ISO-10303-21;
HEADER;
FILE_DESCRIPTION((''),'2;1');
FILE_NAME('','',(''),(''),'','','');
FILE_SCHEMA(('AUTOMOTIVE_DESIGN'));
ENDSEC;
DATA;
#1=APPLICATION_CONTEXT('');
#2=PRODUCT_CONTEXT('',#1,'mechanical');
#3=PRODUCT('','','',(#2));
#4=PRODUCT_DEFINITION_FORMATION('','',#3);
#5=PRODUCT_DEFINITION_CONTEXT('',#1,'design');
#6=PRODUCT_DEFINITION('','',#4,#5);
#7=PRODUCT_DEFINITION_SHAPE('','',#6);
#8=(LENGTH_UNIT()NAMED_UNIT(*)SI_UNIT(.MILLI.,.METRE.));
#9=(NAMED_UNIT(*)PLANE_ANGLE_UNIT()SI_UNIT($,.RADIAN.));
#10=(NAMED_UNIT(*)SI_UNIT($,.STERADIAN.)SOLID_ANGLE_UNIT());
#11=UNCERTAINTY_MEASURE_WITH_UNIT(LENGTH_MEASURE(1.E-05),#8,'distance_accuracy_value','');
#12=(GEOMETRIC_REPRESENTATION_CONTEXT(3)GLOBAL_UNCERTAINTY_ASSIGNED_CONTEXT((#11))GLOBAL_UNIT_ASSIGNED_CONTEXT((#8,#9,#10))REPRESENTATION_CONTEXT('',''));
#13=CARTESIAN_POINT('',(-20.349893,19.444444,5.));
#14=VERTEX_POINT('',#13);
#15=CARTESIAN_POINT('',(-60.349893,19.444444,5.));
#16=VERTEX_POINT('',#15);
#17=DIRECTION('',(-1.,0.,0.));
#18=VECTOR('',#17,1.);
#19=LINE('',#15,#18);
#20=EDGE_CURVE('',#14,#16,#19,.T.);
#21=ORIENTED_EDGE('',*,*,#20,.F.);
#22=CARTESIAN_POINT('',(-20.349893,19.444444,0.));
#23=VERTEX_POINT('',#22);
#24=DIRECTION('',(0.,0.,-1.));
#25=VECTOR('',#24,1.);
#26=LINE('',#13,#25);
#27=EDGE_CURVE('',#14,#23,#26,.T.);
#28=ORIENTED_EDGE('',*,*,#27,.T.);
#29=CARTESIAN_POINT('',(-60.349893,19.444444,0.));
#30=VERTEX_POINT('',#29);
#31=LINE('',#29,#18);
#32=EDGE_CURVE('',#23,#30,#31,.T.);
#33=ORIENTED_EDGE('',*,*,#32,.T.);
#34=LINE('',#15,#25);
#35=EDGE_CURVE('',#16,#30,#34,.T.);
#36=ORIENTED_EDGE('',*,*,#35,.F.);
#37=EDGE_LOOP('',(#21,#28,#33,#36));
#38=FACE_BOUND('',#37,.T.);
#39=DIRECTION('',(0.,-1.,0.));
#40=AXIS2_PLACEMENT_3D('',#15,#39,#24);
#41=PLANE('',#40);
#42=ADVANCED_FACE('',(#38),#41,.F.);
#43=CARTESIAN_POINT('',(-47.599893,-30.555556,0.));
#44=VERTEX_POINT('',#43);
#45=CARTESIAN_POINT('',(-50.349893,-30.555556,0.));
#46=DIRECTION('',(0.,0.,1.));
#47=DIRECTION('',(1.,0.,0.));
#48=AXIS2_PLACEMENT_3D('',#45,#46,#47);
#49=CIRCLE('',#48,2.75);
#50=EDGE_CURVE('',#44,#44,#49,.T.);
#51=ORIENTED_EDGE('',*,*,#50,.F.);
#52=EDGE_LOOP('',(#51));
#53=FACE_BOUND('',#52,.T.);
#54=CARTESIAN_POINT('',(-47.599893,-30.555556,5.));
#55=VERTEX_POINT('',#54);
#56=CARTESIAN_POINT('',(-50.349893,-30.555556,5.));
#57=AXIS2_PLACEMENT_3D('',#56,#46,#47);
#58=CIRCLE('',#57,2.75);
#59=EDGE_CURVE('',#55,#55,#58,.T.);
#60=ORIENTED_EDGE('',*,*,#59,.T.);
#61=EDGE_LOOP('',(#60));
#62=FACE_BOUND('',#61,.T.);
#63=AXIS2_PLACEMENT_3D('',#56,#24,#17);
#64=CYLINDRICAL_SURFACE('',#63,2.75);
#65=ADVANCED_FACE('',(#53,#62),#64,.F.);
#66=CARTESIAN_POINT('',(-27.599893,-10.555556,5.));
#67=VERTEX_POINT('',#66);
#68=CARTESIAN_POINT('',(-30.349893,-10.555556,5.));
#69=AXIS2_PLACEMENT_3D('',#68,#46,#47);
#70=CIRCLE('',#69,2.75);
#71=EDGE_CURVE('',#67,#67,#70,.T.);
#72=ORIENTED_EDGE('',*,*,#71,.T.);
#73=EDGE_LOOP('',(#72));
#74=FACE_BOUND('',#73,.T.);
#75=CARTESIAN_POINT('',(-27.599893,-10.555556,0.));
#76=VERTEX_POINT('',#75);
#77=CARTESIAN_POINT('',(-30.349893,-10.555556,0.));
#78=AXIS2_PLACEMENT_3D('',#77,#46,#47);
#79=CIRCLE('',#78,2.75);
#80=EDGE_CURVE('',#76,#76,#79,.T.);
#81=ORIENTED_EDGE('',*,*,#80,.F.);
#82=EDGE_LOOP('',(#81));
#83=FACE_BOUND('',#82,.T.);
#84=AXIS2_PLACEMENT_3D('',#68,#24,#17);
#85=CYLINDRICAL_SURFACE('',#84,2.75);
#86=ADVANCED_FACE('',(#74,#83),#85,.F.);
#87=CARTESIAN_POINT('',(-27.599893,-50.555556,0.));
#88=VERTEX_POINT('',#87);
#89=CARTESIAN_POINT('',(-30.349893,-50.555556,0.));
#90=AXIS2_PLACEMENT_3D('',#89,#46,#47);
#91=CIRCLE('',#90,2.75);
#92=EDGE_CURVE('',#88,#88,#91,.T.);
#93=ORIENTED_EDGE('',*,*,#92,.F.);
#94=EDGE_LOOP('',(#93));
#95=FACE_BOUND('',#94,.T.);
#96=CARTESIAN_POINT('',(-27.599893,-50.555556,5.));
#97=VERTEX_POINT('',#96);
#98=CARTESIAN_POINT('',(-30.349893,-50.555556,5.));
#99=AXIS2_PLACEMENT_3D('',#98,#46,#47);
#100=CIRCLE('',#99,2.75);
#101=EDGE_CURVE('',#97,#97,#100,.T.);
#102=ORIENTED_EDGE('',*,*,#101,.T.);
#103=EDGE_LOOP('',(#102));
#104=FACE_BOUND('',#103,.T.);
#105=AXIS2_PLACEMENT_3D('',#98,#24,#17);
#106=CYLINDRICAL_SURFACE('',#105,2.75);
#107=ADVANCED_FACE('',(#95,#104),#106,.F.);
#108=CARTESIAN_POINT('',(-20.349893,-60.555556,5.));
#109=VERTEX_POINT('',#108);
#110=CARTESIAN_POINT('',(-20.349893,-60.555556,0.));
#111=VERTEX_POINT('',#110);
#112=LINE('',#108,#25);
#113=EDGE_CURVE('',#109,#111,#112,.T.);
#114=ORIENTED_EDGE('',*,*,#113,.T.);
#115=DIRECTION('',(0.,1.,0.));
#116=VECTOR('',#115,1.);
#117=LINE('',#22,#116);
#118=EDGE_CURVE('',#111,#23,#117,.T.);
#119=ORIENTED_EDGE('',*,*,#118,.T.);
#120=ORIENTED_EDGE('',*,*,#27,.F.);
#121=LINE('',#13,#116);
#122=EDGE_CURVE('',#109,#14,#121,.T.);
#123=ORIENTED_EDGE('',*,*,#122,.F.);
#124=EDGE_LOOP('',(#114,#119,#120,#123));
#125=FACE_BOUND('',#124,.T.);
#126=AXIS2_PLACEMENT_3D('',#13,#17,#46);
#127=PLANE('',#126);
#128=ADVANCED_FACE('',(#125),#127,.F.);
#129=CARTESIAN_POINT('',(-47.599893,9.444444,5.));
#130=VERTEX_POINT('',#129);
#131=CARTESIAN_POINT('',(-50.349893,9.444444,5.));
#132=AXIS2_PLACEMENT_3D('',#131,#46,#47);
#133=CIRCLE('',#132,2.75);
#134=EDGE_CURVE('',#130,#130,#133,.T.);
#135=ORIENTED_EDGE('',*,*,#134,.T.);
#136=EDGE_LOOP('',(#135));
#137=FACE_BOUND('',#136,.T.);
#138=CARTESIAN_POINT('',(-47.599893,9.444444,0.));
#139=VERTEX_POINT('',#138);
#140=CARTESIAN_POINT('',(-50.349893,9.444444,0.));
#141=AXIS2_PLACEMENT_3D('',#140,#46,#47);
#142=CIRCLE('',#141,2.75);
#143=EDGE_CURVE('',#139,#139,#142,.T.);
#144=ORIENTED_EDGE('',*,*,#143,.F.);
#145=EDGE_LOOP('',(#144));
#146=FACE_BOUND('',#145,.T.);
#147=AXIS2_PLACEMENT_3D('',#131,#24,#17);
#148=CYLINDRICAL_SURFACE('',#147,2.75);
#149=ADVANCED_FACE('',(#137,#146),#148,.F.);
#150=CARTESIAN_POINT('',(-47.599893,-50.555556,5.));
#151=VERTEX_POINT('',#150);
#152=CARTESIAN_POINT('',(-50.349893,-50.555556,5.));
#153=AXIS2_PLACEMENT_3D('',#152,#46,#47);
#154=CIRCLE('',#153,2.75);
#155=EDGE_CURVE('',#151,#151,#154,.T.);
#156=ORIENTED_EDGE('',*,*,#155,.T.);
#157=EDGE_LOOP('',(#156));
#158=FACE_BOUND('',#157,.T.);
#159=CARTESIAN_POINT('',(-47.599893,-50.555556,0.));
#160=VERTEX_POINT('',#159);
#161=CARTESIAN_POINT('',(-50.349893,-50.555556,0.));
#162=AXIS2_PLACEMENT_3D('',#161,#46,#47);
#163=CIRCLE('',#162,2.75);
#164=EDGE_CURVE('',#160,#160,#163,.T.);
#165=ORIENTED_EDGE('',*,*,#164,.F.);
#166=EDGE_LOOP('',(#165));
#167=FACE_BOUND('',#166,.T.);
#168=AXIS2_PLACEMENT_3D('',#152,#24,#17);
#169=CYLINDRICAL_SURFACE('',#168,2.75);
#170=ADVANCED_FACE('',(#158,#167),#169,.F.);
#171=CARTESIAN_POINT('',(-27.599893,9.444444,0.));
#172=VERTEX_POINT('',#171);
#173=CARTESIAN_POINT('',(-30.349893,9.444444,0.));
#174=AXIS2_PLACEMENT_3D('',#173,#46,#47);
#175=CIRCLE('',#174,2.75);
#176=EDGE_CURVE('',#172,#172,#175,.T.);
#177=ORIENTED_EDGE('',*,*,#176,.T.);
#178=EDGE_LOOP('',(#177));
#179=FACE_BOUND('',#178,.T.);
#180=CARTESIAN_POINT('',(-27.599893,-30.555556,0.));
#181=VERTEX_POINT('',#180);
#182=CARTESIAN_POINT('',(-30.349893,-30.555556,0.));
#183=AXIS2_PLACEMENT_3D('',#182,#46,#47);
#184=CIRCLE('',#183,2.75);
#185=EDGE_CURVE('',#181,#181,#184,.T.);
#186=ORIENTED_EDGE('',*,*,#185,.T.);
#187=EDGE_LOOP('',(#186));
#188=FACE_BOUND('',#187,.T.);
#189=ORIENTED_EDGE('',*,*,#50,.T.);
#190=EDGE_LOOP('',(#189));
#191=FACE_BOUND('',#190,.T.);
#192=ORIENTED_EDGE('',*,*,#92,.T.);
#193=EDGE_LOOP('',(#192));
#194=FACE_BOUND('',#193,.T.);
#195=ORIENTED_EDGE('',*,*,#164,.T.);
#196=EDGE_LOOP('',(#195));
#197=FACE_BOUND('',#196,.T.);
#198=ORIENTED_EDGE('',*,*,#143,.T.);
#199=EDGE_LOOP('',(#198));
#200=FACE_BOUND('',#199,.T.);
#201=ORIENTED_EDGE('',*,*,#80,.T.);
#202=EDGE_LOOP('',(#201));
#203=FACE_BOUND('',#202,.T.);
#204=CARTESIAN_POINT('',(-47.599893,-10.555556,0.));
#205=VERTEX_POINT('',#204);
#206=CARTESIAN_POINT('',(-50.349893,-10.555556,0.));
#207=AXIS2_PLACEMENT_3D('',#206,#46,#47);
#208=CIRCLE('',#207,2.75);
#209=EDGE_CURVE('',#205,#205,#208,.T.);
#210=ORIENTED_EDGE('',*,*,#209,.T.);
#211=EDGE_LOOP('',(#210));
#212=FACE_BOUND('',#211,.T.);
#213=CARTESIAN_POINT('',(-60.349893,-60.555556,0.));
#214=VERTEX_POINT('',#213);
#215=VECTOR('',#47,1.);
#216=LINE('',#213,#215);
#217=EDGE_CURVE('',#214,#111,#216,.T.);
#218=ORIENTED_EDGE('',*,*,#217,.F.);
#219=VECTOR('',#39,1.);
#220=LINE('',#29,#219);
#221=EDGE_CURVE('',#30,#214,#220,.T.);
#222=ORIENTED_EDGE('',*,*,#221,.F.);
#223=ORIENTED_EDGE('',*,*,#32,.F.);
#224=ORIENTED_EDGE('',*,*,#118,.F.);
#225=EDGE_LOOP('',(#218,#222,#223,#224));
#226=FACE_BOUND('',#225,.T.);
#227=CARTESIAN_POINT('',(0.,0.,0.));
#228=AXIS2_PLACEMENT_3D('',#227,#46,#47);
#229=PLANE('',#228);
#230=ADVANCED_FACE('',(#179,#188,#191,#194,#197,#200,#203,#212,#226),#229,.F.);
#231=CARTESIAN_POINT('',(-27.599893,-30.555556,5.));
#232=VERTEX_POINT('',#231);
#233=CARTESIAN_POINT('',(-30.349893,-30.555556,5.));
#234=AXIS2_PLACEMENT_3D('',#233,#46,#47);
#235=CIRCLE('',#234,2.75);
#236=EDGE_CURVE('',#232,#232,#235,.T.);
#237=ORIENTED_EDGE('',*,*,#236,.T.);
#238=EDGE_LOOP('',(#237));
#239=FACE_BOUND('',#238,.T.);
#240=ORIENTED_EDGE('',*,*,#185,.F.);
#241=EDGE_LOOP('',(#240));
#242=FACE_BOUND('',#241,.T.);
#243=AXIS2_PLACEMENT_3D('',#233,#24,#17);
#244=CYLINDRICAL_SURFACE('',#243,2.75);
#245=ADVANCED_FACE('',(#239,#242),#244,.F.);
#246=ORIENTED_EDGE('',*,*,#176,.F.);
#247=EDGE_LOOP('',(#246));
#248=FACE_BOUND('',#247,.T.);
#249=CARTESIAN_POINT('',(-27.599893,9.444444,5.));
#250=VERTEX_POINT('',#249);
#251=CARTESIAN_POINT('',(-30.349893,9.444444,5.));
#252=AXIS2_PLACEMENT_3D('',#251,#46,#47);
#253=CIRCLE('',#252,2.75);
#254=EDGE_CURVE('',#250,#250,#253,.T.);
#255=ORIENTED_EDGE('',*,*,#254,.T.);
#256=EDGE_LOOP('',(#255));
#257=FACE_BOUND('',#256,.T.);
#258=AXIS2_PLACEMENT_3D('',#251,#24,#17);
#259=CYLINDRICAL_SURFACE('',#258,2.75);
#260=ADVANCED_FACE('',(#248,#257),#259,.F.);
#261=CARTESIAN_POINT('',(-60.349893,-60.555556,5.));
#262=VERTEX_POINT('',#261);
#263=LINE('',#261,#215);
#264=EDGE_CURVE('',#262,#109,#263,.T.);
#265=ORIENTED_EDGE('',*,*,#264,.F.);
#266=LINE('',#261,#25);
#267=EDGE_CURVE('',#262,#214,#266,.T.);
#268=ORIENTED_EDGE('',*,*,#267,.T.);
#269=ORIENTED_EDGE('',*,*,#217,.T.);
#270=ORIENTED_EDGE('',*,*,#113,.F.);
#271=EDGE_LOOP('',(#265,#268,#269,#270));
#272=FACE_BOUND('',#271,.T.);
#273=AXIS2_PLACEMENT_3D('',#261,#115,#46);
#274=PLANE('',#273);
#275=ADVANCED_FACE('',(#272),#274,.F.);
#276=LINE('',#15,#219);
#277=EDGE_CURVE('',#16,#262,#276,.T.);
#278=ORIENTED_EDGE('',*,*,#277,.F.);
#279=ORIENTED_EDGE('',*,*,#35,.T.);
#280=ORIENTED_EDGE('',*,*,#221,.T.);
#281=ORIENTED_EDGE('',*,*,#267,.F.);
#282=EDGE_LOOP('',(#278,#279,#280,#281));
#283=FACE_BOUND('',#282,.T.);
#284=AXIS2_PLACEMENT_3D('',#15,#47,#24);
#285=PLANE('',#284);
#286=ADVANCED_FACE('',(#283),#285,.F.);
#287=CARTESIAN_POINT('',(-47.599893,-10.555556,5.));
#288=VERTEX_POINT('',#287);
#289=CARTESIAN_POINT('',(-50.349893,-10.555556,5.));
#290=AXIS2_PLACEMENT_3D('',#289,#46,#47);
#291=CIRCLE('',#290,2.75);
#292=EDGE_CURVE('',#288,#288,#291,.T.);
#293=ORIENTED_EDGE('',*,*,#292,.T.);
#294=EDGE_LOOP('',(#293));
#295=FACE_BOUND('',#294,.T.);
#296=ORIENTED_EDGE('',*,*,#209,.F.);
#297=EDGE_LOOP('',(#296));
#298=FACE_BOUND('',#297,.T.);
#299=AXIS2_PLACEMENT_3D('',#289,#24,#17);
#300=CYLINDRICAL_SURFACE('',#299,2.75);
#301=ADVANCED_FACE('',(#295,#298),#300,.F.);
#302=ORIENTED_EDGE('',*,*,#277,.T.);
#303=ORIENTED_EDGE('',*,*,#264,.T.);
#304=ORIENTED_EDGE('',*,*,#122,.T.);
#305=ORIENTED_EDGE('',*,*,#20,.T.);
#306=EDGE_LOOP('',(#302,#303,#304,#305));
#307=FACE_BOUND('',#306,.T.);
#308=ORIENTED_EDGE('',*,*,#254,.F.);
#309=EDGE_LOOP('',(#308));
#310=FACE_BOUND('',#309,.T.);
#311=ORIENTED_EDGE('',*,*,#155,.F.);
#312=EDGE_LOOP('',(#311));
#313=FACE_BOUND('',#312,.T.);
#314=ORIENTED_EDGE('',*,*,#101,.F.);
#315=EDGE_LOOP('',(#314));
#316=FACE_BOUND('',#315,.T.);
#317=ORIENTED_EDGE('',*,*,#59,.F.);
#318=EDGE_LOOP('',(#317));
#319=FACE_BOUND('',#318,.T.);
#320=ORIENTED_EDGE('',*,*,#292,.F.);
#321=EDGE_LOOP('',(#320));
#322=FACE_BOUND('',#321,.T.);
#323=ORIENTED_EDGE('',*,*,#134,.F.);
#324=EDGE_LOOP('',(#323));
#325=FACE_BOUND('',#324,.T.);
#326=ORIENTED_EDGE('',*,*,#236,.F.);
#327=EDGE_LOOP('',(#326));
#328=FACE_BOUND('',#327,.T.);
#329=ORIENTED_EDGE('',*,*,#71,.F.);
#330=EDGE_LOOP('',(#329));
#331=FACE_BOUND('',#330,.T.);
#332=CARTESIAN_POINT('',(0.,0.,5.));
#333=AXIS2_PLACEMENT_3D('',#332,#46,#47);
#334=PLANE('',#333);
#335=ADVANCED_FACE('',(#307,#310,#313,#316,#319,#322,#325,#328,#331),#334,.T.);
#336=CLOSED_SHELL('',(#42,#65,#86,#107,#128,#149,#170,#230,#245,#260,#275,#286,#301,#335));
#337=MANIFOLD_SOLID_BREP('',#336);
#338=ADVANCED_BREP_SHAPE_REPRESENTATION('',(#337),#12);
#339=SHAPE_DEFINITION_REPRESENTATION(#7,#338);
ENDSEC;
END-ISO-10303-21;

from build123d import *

# Parameters (mm, degrees)
ESQUISSE1_W        = 40
ESQUISSE1_H        = 80
ESQUISSE1_R        = 2.75
BOSS_EXTRU_1_DEPTH = 5


with BuildPart() as part:
    # Esquisse1 → Boss.-Extru.1 (new body)
    with BuildSketch(Plane.XY):
        with Locations((-40.349893162, -20.555555556)):
            Rectangle(ESQUISSE1_W, ESQUISSE1_H)
        with Locations((-50.349893162, 9.444444444)):
            Circle(ESQUISSE1_R, mode=Mode.SUBTRACT)
        with Locations((-30.349893162, 9.444444444)):
            Circle(ESQUISSE1_R, mode=Mode.SUBTRACT)
        with Locations((-30.349893162, -10.555555556)):
            Circle(ESQUISSE1_R, mode=Mode.SUBTRACT)
        with Locations((-30.349893162, -30.555555556)):
            Circle(ESQUISSE1_R, mode=Mode.SUBTRACT)
        with Locations((-30.349893162, -50.555555556)):
            Circle(ESQUISSE1_R, mode=Mode.SUBTRACT)
        with Locations((-50.349893162, -10.555555556)):
            Circle(ESQUISSE1_R, mode=Mode.SUBTRACT)
        with Locations((-50.349893162, -30.555555556)):
            Circle(ESQUISSE1_R, mode=Mode.SUBTRACT)
        with Locations((-50.349893162, -50.555555556)):
            Circle(ESQUISSE1_R, mode=Mode.SUBTRACT)
    extrude(amount=BOSS_EXTRU_1_DEPTH)


solid = part.part
